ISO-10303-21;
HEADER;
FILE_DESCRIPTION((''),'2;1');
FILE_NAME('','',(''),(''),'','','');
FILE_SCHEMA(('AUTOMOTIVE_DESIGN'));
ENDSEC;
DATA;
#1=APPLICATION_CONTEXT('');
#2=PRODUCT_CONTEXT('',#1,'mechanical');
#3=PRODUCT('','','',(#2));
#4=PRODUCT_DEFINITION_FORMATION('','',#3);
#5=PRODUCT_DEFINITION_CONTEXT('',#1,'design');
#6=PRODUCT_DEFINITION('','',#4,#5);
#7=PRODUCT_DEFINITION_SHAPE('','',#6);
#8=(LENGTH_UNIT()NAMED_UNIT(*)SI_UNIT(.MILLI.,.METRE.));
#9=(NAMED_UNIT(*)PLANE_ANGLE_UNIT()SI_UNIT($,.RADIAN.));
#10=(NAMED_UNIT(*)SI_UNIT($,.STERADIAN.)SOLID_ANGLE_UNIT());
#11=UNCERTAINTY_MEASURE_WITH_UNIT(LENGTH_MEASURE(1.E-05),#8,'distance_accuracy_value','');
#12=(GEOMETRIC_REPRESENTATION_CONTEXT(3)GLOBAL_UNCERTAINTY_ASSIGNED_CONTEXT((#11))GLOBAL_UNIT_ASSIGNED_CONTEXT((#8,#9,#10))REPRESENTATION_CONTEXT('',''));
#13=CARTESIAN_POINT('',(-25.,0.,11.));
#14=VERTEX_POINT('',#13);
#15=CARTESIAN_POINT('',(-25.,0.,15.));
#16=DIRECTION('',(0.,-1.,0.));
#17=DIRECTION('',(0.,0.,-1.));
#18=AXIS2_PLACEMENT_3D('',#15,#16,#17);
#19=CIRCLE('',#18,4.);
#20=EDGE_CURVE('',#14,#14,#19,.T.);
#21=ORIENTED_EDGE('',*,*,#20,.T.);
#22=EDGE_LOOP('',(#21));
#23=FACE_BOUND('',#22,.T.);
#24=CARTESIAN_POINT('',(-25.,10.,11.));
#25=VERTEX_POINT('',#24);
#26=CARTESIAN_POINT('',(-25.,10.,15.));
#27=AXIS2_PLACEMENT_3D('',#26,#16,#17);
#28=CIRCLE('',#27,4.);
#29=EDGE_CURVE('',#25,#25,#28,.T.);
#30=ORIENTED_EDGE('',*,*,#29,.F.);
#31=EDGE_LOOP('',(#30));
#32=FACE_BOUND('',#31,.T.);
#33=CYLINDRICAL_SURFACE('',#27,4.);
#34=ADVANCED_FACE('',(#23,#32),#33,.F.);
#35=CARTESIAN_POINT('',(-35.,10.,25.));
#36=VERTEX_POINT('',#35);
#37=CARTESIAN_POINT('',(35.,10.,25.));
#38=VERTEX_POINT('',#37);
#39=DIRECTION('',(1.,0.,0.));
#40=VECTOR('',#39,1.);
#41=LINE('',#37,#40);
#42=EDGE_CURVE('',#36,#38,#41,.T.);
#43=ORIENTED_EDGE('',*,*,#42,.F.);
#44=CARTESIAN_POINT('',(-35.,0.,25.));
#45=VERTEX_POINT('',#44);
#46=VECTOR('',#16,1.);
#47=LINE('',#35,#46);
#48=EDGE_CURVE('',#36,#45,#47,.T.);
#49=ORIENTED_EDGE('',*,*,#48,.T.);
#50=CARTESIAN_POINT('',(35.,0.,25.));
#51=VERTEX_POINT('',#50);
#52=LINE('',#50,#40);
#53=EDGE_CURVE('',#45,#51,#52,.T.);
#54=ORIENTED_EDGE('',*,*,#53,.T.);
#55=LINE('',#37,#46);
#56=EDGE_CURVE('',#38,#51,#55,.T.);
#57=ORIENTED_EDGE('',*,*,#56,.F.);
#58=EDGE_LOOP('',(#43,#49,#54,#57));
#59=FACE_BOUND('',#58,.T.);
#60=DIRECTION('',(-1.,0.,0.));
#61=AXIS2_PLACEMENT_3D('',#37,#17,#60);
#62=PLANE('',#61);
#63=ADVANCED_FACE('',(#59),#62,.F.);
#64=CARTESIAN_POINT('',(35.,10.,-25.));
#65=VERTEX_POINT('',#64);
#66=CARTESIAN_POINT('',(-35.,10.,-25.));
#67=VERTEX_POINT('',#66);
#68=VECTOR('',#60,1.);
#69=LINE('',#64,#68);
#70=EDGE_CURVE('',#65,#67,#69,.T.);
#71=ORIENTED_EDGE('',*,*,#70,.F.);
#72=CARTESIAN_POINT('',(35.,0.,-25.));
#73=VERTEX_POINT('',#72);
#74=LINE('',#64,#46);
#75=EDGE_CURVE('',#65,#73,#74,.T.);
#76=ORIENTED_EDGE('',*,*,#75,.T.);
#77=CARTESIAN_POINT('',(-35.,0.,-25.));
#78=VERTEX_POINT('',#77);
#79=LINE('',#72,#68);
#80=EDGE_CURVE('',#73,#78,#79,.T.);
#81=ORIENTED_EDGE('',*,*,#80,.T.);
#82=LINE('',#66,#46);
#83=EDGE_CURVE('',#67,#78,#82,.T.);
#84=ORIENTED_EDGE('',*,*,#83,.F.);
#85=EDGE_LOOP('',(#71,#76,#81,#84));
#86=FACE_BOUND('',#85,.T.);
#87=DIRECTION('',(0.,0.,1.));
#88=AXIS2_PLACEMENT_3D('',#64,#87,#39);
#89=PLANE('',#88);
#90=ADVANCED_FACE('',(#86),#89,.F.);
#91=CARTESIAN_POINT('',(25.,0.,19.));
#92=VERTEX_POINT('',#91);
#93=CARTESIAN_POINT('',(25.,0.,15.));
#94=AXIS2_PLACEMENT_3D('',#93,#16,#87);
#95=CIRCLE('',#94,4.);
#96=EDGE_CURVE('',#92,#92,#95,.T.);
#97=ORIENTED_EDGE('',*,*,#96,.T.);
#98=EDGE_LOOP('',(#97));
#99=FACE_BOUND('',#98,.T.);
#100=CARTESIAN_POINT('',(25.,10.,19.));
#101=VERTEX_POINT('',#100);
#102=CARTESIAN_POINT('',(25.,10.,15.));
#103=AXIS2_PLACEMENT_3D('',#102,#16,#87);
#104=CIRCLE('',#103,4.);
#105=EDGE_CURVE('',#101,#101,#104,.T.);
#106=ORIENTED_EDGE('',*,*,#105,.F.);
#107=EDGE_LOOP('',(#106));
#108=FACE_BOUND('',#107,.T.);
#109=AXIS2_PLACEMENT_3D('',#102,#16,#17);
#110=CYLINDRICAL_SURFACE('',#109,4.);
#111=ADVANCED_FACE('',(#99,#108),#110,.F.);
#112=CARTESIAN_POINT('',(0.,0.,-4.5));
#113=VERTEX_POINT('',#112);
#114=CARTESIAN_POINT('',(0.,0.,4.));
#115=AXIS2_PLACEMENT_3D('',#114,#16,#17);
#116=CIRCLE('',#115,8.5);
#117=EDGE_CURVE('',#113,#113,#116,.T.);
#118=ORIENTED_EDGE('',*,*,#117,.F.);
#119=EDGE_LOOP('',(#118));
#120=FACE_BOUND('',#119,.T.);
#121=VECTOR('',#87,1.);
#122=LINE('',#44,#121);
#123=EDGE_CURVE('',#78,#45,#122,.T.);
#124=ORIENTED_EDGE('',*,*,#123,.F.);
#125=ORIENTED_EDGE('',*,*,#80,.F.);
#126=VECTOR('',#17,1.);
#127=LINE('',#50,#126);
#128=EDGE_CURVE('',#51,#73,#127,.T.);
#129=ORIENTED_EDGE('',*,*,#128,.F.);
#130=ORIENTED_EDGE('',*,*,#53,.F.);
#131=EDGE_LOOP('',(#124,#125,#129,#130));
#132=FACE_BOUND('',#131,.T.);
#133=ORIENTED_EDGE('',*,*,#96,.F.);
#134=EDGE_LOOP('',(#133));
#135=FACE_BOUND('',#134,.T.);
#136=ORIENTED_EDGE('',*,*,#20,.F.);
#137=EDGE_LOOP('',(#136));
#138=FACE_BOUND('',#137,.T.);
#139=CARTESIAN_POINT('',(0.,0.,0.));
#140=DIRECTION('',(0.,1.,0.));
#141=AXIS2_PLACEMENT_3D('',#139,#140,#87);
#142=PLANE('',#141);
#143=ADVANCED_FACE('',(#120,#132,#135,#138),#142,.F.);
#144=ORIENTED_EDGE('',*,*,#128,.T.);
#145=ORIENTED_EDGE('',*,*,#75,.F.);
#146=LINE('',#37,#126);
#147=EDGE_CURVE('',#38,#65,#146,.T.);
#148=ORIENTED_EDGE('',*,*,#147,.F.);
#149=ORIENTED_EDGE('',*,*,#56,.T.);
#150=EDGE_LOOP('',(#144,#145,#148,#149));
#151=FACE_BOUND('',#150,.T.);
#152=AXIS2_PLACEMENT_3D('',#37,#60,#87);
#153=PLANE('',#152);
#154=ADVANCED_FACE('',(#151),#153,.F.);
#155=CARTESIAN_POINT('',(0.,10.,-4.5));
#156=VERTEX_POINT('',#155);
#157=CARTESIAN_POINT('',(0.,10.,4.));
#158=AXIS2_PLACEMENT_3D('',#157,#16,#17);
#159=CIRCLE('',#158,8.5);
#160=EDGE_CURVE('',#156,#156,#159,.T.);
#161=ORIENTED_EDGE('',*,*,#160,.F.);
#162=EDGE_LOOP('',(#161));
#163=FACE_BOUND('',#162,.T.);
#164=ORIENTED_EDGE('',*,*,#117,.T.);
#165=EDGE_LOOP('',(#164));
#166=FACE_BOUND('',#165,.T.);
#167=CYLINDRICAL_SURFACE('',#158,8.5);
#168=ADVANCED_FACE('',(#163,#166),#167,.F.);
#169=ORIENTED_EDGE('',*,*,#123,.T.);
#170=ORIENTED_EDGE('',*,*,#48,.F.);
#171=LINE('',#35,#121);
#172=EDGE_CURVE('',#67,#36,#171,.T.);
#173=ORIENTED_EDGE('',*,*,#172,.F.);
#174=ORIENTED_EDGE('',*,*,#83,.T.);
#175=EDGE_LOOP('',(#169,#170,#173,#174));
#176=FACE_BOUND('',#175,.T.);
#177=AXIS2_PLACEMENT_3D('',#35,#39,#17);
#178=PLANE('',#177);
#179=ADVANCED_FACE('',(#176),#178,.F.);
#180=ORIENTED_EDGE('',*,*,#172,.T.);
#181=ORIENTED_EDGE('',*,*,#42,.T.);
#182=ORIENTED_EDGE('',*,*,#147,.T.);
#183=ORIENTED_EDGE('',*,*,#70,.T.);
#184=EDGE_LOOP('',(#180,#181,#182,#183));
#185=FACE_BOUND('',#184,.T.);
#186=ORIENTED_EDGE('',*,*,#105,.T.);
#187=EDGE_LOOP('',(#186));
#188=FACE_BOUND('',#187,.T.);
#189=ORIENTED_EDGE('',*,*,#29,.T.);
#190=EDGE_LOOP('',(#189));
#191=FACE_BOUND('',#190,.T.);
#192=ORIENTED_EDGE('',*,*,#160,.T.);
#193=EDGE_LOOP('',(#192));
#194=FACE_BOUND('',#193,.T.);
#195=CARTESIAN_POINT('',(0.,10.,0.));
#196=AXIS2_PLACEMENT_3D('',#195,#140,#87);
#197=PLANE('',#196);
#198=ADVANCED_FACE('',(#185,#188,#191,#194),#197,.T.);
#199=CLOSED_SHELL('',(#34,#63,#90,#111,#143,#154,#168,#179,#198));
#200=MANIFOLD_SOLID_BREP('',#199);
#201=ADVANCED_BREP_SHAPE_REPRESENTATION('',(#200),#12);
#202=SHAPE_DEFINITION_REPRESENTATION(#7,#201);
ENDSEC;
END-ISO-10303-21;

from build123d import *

# Parameters (mm, degrees)
SKETCH2_W           = 70
SKETCH2_H           = 50
BOSS_EXTRUDE1_DEPTH = 10
SKETCH3_R           = 4
CUT_EXTRUDE1_DEPTH  = 11
SKETCH5_R           = 8.5
CUT_EXTRUDE3_DEPTH  = 11


with BuildPart() as part:
    # Sketch2 → Boss-Extrude1 (new body)
    with BuildSketch(Plane(origin=(0, 0, 0), x_dir=(1, 0, 0), z_dir=(0, 1, 0))):
        Rectangle(SKETCH2_W, SKETCH2_H)
    extrude(amount=BOSS_EXTRUDE1_DEPTH)

    # Sketch3 → Cut-Extrude1 (cut, through all)
    with BuildSketch(Plane.XZ):
        with Locations((-25, 15)):
            Circle(SKETCH3_R)
        with Locations((25, 15)):
            Circle(SKETCH3_R)
    extrude(amount=-CUT_EXTRUDE1_DEPTH, mode=Mode.SUBTRACT)

    # Sketch5 → Cut-Extrude3 (cut, through all)
    with BuildSketch(Plane.XZ):
        with Locations((0, 4)):
            Circle(SKETCH5_R)
    extrude(amount=-CUT_EXTRUDE3_DEPTH, mode=Mode.SUBTRACT)


solid = part.part
